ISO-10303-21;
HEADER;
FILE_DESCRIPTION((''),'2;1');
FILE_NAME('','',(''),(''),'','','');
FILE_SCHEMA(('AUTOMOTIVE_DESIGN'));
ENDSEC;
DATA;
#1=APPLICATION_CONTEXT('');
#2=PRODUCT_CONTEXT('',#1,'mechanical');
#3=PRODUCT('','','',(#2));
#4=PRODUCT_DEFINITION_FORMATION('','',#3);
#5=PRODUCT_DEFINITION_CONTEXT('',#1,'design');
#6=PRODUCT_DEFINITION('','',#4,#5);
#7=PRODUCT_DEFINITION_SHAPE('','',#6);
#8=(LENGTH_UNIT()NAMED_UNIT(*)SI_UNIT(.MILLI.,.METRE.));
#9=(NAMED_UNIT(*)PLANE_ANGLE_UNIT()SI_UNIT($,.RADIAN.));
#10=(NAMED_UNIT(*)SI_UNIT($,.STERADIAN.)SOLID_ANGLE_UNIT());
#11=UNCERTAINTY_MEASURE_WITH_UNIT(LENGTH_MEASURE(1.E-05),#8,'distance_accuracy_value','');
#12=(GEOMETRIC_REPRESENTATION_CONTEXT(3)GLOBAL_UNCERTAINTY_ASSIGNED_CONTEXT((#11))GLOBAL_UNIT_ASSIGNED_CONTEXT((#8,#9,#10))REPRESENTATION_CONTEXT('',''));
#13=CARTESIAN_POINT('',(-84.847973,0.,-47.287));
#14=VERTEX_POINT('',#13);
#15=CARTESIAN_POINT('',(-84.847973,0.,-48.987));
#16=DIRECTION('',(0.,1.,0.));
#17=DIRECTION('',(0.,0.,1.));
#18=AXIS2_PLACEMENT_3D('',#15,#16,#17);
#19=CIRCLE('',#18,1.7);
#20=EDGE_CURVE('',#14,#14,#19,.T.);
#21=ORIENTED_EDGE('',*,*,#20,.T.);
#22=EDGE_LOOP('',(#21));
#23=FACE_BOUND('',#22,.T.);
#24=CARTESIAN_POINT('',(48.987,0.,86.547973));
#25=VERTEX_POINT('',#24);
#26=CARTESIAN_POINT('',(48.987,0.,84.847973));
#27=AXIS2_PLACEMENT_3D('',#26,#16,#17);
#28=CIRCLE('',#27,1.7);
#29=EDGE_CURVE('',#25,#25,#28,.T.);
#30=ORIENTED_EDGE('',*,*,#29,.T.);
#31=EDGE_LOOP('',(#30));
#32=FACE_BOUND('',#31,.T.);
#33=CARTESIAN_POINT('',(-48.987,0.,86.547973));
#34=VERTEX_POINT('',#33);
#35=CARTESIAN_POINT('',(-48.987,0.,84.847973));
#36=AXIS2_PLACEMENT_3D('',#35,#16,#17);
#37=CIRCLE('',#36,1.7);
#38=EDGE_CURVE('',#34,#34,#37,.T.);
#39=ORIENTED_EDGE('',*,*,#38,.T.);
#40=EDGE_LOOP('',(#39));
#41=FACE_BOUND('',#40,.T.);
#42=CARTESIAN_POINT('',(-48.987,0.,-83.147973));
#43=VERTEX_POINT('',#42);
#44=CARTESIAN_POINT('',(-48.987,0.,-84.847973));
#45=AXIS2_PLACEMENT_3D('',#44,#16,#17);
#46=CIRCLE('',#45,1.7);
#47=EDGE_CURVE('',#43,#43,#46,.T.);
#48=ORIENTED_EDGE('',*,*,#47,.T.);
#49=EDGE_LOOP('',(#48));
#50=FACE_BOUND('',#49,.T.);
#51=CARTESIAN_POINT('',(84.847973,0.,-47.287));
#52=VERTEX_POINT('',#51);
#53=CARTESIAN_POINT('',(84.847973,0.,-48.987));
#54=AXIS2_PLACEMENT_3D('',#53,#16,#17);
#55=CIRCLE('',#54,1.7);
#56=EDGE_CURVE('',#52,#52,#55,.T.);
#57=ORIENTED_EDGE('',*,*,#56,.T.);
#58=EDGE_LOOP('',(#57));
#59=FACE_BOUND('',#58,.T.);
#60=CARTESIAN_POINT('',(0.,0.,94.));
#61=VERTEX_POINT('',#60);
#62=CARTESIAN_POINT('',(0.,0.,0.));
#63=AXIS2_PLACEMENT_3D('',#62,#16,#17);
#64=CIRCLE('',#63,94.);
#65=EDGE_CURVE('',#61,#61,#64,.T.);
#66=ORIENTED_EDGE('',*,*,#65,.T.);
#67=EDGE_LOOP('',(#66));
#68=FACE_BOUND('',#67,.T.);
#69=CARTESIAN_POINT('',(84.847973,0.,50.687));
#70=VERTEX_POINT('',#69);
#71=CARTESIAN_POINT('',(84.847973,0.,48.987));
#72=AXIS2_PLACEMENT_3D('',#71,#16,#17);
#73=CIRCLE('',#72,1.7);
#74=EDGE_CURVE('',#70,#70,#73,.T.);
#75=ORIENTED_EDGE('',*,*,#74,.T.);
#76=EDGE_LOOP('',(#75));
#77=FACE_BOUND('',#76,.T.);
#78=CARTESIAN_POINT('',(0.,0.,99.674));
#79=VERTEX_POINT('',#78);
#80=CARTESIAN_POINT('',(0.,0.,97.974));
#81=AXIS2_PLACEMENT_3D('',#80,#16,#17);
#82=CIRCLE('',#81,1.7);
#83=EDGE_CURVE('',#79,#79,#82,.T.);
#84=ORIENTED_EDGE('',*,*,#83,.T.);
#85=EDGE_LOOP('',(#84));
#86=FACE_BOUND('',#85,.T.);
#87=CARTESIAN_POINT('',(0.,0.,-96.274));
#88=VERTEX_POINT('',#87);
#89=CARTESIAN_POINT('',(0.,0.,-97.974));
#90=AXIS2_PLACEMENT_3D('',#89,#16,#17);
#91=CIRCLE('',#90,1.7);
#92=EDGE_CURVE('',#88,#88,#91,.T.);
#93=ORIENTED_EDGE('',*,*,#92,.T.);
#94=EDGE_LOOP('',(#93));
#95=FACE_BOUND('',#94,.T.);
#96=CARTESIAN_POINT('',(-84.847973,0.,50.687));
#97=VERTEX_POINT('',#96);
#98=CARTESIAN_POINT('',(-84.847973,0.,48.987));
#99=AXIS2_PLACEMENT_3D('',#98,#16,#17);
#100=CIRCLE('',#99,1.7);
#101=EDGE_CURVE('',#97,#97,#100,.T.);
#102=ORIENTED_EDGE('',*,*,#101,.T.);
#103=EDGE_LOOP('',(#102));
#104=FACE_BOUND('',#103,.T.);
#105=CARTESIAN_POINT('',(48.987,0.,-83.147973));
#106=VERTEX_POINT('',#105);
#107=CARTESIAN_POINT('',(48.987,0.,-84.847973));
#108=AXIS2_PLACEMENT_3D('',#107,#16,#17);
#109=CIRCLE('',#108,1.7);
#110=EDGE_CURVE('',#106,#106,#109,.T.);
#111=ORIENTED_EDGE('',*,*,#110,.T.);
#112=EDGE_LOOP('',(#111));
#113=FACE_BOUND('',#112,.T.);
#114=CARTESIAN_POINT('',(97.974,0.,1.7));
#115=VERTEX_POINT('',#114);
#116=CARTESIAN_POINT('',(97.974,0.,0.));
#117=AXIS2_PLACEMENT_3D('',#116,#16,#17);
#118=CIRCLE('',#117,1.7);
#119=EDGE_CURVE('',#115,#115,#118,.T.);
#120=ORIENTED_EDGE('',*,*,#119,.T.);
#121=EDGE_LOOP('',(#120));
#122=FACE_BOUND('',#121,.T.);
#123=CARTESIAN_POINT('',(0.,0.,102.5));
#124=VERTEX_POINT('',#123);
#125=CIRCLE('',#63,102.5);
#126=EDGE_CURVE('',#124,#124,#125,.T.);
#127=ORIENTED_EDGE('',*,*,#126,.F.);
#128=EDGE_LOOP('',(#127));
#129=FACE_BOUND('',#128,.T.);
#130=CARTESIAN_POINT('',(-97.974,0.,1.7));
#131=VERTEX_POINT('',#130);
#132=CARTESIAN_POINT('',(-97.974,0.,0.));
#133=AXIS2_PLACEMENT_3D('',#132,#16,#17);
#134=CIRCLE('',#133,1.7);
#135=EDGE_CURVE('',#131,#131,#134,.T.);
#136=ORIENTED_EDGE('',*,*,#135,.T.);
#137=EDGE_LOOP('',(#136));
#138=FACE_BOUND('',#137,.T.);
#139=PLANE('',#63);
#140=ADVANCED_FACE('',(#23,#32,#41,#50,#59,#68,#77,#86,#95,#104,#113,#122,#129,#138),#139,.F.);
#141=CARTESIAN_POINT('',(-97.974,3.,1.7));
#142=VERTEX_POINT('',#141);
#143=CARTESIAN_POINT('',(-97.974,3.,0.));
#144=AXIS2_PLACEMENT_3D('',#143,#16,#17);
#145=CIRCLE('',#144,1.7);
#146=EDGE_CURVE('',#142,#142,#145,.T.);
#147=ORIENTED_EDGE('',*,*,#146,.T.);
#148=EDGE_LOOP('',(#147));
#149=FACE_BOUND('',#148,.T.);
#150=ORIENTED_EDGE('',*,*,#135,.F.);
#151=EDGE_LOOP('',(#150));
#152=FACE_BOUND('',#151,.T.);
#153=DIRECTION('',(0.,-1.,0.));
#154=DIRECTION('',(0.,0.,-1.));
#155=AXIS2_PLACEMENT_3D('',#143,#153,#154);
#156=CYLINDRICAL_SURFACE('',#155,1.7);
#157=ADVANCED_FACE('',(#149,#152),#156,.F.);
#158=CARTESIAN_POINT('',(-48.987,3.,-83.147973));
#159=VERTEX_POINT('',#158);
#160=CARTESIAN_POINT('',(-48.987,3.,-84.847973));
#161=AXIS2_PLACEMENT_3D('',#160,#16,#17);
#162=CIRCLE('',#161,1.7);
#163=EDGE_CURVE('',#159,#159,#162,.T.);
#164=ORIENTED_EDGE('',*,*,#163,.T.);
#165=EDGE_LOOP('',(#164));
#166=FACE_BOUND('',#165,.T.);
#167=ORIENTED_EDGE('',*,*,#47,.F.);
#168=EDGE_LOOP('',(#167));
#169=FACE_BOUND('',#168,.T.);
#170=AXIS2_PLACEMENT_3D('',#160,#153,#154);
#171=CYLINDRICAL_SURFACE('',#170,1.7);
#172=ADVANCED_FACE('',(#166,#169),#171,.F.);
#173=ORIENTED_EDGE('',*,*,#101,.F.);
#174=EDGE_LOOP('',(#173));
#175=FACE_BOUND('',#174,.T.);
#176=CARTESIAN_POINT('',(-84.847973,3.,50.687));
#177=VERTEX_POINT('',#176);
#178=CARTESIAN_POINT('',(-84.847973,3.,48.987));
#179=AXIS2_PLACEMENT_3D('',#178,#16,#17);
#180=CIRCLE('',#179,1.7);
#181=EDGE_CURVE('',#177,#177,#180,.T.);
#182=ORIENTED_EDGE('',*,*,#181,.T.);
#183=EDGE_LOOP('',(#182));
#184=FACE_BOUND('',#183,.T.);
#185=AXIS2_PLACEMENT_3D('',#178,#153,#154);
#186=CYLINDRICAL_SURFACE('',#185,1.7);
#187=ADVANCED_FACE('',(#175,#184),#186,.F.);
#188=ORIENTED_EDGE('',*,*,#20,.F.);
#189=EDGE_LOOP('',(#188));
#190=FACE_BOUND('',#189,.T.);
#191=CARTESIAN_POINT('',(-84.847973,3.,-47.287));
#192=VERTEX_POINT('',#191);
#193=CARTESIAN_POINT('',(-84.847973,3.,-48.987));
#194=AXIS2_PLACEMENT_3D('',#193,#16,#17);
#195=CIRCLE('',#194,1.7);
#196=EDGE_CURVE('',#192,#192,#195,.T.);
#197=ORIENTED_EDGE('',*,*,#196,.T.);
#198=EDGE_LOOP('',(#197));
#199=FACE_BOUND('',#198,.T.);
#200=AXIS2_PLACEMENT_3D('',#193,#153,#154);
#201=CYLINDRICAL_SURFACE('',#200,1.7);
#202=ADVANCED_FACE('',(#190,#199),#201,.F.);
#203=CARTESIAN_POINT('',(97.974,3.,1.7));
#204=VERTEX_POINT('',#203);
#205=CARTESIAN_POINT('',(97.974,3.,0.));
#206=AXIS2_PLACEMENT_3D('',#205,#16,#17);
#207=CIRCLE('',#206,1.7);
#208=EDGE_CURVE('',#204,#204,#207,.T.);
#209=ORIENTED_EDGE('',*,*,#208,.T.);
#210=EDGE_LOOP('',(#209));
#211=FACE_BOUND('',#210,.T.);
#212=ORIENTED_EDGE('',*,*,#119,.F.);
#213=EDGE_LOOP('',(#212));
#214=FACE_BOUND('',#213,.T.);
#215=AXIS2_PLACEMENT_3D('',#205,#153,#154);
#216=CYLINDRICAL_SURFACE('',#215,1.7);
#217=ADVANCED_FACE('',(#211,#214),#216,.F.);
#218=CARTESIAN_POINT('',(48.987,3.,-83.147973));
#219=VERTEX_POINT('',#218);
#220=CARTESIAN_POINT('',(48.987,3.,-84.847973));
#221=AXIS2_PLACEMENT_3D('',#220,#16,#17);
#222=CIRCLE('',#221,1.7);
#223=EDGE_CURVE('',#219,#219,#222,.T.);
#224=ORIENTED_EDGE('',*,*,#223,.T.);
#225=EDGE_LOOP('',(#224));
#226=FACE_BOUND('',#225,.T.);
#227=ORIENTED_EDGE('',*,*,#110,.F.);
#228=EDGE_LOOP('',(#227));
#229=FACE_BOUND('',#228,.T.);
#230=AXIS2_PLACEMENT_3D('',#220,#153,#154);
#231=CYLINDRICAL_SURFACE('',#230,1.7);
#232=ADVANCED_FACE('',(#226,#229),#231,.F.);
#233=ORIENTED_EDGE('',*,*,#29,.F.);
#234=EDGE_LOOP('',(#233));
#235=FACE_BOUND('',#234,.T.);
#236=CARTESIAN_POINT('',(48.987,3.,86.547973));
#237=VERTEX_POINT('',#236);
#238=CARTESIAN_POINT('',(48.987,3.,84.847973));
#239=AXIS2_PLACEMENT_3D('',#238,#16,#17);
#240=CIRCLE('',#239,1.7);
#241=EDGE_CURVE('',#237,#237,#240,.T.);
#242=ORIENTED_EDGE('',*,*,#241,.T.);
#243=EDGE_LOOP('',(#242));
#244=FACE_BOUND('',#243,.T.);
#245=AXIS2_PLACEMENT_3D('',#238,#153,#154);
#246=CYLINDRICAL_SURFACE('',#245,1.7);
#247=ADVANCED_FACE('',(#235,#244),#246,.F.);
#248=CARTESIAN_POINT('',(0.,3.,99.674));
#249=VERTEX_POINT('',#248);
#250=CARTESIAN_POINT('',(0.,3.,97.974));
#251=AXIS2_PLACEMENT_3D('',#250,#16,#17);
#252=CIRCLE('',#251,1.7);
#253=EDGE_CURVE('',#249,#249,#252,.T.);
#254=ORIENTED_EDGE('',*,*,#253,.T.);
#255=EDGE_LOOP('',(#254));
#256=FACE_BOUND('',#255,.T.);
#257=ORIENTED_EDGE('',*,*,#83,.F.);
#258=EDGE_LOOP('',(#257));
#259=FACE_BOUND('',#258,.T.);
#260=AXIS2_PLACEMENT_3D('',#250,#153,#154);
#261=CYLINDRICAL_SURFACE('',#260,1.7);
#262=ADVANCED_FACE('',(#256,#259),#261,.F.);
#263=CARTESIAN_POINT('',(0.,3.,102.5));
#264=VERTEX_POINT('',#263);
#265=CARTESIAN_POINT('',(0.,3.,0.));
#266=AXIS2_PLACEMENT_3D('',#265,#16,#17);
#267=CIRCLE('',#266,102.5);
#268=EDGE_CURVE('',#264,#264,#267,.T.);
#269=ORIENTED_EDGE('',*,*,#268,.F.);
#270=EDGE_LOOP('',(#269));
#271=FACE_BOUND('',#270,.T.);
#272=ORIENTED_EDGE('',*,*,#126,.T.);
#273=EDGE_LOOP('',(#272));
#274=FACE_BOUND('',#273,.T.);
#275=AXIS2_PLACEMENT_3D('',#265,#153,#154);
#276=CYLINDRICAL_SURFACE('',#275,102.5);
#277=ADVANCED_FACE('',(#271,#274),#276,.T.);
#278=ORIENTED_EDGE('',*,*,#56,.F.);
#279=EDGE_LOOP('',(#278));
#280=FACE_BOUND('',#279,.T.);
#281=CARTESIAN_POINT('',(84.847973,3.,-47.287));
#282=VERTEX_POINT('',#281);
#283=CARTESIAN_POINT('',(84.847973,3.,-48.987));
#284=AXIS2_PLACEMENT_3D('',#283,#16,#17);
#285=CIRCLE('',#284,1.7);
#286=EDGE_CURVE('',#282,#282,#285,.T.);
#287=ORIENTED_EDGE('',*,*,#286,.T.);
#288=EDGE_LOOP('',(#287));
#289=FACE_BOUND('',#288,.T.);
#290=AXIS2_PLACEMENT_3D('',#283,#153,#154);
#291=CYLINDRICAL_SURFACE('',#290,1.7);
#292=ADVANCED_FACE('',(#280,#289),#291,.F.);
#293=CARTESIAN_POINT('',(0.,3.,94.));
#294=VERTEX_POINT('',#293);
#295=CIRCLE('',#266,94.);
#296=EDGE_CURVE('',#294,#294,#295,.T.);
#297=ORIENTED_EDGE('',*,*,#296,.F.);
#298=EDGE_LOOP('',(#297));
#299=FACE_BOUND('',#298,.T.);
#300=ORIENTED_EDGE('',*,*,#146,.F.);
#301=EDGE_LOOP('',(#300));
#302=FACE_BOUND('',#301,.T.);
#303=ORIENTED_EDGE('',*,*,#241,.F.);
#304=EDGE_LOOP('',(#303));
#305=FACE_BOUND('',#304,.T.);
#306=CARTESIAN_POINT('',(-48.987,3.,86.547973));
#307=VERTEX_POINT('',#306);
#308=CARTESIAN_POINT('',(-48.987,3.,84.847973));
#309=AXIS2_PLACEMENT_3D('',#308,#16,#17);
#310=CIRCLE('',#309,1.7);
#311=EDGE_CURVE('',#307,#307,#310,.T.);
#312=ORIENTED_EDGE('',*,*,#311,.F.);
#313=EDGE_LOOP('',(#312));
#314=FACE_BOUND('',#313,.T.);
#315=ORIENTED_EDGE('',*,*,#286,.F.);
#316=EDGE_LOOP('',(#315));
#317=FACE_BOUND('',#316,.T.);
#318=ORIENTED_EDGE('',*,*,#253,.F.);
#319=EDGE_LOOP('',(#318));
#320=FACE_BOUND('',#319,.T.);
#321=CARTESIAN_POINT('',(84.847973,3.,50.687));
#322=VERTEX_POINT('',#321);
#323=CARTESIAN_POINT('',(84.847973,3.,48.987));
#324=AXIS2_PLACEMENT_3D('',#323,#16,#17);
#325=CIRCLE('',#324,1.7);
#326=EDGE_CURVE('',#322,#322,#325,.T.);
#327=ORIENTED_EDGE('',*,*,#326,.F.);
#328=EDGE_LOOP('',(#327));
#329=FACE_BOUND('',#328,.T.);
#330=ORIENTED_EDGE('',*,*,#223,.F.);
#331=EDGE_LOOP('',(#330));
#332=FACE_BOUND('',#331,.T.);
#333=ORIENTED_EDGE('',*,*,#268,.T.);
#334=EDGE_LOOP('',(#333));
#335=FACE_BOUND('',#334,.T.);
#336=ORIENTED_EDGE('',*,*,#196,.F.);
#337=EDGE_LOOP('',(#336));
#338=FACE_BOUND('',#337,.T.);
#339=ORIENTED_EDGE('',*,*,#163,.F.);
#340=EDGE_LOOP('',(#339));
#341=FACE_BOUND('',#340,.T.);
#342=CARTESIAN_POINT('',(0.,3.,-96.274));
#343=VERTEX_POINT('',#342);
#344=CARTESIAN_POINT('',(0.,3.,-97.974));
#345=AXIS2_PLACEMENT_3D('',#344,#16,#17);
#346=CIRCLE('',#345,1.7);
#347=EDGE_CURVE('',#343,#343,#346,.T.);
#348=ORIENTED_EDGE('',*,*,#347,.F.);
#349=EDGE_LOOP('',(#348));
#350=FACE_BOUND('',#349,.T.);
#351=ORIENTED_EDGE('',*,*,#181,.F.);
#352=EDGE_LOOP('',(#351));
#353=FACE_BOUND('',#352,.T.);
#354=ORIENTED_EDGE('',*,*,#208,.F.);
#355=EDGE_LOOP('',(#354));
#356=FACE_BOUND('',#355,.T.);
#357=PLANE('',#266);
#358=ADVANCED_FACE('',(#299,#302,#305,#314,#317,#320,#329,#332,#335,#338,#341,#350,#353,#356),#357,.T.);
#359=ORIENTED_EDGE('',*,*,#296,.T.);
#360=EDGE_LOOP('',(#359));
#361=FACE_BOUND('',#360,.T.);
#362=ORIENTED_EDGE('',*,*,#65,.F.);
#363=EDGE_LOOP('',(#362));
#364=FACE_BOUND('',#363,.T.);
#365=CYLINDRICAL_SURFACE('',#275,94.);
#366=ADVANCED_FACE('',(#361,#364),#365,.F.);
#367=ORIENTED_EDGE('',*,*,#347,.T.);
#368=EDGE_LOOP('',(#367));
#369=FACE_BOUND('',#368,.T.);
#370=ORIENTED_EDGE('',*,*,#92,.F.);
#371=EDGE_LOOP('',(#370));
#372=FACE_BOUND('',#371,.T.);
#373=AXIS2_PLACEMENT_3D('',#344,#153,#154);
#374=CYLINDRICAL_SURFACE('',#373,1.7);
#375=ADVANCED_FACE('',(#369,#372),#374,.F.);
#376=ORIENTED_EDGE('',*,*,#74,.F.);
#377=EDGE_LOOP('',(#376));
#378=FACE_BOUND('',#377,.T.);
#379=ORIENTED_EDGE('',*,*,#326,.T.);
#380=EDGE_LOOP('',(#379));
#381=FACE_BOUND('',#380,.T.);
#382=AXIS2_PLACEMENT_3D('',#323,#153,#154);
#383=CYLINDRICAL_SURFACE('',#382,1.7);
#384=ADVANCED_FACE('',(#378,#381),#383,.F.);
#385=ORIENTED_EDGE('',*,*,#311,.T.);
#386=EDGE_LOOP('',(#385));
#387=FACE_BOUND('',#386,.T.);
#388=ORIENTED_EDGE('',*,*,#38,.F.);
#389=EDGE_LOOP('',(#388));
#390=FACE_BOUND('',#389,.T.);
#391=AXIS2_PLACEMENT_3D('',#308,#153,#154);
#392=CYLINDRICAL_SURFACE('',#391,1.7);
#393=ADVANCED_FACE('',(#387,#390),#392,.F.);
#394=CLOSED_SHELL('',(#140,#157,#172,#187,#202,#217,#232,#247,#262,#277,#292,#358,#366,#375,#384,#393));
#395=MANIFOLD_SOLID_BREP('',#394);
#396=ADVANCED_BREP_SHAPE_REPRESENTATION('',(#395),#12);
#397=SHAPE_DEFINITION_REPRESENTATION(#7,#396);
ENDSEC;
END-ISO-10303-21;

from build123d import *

# Parameters (mm, degrees)
SKETCH1_R           = 102.5
SKETCH1_R_2         = 94
SKETCH1_R_3         = 1.7
BOSS_EXTRUDE1_DEPTH = 3


with BuildPart() as part:
    # Sketch1 → Boss-Extrude1 (new body)
    with BuildSketch(Plane(origin=(0, 0, 0), x_dir=(1, 0, 0), z_dir=(0, 1, 0))):
        Circle(SKETCH1_R)
        Circle(SKETCH1_R_2, mode=Mode.SUBTRACT)
        with Locations((0, 97.974)):
            Circle(SKETCH1_R_3, mode=Mode.SUBTRACT)
        with Locations((48.987, 84.84797291)):
            Circle(SKETCH1_R_3, mode=Mode.SUBTRACT)
        with Locations((84.84797291, 48.987)):
            Circle(SKETCH1_R_3, mode=Mode.SUBTRACT)
        with Locations((97.974, 0)):
            Circle(SKETCH1_R_3, mode=Mode.SUBTRACT)
        with Locations((84.84797291, -48.987)):
            Circle(SKETCH1_R_3, mode=Mode.SUBTRACT)
        with Locations((48.987, -84.84797291)):
            Circle(SKETCH1_R_3, mode=Mode.SUBTRACT)
        with Locations((0, -97.974)):
            Circle(SKETCH1_R_3, mode=Mode.SUBTRACT)
        with Locations((-48.987, -84.84797291)):
            Circle(SKETCH1_R_3, mode=Mode.SUBTRACT)
        with Locations((-84.84797291, -48.987)):
            Circle(SKETCH1_R_3, mode=Mode.SUBTRACT)
        with Locations((-97.974, 0)):
            Circle(SKETCH1_R_3, mode=Mode.SUBTRACT)
        with Locations((-84.84797291, 48.987)):
            Circle(SKETCH1_R_3, mode=Mode.SUBTRACT)
        with Locations((-48.987, 84.84797291)):
            Circle(SKETCH1_R_3, mode=Mode.SUBTRACT)
    extrude(amount=BOSS_EXTRUDE1_DEPTH)


solid = part.part
